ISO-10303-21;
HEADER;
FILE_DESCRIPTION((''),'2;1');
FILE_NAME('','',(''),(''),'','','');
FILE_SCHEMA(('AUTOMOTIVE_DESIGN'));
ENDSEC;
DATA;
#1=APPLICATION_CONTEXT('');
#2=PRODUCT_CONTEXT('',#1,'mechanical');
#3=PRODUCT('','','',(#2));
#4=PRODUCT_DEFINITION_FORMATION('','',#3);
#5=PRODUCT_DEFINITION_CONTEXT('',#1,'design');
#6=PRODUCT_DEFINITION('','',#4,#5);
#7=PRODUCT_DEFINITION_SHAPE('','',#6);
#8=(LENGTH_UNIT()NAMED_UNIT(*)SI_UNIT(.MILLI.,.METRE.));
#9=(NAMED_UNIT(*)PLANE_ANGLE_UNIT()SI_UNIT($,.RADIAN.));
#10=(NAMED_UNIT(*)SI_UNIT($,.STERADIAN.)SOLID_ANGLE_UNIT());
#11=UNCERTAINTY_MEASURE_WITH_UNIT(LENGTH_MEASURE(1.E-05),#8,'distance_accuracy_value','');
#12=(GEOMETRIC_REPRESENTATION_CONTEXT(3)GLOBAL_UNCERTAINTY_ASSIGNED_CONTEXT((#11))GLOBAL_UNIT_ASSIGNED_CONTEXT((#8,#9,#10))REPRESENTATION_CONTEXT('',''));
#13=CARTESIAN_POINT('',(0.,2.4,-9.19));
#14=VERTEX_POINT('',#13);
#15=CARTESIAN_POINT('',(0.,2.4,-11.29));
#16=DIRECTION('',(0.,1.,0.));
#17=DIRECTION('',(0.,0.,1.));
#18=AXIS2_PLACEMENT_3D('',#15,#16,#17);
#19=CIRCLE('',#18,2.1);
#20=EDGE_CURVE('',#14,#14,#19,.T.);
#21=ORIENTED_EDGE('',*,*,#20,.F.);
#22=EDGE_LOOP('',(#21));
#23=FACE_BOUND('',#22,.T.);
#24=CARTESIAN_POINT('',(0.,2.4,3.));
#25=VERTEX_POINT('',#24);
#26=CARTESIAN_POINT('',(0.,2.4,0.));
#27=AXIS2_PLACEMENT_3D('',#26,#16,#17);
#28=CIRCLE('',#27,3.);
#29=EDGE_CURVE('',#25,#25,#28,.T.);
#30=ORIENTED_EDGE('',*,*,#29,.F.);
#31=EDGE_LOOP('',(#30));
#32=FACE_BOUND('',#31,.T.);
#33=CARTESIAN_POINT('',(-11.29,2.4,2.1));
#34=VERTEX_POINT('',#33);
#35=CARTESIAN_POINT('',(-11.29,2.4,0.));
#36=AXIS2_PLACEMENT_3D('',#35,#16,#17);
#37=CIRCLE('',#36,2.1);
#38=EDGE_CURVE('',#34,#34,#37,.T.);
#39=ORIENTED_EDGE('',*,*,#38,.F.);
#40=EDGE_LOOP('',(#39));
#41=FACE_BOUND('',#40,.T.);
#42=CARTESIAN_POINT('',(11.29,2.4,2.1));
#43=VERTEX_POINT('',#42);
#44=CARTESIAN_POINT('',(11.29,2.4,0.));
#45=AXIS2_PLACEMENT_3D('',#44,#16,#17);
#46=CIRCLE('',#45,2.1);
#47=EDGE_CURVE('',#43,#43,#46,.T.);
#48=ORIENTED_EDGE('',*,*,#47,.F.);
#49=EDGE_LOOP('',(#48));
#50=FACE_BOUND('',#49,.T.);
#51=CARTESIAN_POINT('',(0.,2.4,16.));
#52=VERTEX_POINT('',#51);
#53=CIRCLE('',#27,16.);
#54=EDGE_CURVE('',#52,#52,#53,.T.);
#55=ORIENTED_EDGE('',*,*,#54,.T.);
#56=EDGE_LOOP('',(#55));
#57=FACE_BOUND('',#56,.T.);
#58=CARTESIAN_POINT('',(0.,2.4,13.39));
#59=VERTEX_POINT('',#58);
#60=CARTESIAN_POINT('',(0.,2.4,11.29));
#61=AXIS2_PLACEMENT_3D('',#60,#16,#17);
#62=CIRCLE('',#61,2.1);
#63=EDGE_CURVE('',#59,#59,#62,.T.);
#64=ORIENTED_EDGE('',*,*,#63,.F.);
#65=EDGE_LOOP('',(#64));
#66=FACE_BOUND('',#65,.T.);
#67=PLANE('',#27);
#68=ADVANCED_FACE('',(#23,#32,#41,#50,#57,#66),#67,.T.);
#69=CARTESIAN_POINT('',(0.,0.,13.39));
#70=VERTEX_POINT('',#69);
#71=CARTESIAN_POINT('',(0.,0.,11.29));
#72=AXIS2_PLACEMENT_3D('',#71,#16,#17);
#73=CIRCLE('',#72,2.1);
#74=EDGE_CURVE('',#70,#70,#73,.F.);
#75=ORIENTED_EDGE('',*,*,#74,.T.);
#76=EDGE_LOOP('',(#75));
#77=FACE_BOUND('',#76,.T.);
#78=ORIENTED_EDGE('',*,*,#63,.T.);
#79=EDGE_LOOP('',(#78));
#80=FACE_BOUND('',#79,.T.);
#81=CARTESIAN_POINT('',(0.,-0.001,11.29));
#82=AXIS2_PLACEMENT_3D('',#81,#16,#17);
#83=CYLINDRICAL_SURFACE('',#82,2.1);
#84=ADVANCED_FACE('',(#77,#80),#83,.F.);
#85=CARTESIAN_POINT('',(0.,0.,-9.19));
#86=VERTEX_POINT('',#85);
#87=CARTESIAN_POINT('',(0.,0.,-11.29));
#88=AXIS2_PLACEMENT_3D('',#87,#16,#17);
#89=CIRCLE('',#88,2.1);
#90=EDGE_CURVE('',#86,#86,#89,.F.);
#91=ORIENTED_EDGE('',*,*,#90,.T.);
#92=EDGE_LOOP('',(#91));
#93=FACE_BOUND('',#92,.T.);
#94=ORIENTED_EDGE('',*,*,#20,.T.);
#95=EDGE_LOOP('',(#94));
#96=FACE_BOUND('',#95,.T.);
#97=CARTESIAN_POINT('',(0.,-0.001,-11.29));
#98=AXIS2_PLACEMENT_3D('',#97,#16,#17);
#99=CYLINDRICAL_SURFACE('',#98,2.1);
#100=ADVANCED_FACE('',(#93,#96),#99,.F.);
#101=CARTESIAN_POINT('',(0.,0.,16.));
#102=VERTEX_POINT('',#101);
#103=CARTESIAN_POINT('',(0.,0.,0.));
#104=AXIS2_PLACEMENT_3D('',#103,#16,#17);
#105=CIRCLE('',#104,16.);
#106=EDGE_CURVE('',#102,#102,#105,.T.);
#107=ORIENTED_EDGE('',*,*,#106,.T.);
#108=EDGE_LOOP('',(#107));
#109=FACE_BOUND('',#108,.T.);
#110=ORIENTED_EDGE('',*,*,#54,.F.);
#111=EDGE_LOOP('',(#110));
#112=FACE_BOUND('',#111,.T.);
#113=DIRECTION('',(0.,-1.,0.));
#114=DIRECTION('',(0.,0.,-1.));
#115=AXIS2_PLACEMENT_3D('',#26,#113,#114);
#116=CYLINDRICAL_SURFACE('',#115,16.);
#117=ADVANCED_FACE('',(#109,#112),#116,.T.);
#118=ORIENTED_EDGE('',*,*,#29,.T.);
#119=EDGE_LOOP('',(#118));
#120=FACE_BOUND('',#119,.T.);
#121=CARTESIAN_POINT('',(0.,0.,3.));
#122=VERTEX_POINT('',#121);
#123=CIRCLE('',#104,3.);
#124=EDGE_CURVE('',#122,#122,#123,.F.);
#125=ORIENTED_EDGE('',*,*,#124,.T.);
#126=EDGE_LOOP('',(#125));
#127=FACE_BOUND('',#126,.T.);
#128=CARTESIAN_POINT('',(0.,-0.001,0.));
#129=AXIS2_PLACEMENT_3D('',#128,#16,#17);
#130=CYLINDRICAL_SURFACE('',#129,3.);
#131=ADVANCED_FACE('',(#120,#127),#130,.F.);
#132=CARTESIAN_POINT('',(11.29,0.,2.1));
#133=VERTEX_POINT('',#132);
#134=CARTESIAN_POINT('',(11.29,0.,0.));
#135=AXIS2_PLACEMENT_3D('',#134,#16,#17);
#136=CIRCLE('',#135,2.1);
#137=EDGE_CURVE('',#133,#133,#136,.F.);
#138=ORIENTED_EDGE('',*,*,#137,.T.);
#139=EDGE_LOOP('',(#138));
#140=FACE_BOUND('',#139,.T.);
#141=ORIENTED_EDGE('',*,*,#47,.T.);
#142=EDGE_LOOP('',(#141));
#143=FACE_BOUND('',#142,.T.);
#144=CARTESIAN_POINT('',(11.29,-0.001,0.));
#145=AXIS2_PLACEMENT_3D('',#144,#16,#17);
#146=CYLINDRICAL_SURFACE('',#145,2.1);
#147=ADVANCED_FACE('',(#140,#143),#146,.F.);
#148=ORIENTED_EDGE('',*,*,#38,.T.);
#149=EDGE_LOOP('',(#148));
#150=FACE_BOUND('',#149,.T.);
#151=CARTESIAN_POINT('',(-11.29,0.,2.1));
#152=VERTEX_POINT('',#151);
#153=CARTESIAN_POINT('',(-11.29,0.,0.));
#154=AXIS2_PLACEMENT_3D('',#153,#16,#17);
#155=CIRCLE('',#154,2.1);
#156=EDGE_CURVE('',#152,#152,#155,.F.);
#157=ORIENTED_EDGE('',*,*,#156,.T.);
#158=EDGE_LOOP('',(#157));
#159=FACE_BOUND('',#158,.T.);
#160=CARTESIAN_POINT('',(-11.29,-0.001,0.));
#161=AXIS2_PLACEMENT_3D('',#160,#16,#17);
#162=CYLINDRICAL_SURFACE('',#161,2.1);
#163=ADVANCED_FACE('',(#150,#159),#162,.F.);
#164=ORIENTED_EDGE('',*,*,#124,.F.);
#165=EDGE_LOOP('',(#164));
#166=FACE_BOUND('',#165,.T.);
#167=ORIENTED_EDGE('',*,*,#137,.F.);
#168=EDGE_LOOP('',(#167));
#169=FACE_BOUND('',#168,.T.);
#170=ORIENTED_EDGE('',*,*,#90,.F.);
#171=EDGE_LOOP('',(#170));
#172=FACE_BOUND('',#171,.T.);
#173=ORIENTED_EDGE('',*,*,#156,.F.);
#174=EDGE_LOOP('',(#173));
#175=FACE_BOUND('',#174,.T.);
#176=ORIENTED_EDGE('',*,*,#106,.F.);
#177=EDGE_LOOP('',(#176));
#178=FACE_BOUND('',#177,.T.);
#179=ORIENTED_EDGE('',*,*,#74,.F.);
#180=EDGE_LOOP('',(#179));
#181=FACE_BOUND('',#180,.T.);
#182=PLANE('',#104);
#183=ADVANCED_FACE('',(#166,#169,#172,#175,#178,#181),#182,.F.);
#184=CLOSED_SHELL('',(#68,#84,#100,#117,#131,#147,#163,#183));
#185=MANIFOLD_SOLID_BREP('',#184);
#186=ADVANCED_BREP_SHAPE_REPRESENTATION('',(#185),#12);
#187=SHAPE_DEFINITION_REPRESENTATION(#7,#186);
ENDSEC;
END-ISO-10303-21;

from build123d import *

# Parameters (mm, degrees)
SKETCH_1_R          = 16
EXTRUDE_1_DEPTH     = 2.4
CUT_EXTRUDE_2_REACH = 24.754
SKETCH_4_R          = 2.1
CUT_EXTRUDE_3_REACH = 24.754
SKETCH_2_R          = 3


with BuildPart() as part:
    # 草圖1 → 填料-伸長1 (new body)
    with BuildSketch(Plane(origin=(0, 0, 0), x_dir=(1, 0, 0), z_dir=(0, 1, 0))):
        with Locations(Location((0, 0, 0), (0, 0, 270))):
            Circle(SKETCH_1_R)
    extrude(amount=EXTRUDE_1_DEPTH)

    # 草圖4 → 除料-伸長2 (cut, up to next)
    with BuildSketch(Plane(origin=(0, 2.4, 0), x_dir=(1, 0, 0), z_dir=(0, 1, 0)), mode=Mode.PRIVATE) as cut_extrude_2_sk1:
        with Locations(Location((0, 11.29, 0), (0, 0, 270))):
            Circle(SKETCH_4_R)
    cut_extrude_2_tool1 = extrude(cut_extrude_2_sk1.sketch, amount=-CUT_EXTRUDE_2_REACH, mode=Mode.PRIVATE) & part.part
    # 草圖4 → 除料-伸長2 (cut, up to next)
    with BuildSketch(Plane(origin=(0, 2.4, 0), x_dir=(1, 0, 0), z_dir=(0, 1, 0)), mode=Mode.PRIVATE) as cut_extrude_2_sk2:
        with Locations(Location((11.29, 0, 0), (0, 0, 270))):
            Circle(SKETCH_4_R)
    cut_extrude_2_tool2 = extrude(cut_extrude_2_sk2.sketch, amount=-CUT_EXTRUDE_2_REACH, mode=Mode.PRIVATE) & part.part
    # 草圖4 → 除料-伸長2 (cut, up to next)
    with BuildSketch(Plane(origin=(0, 2.4, 0), x_dir=(1, 0, 0), z_dir=(0, 1, 0)), mode=Mode.PRIVATE) as cut_extrude_2_sk3:
        with Locations(Location((0, -11.29, 0), (0, 0, 270))):
            Circle(SKETCH_4_R)
    cut_extrude_2_tool3 = extrude(cut_extrude_2_sk3.sketch, amount=-CUT_EXTRUDE_2_REACH, mode=Mode.PRIVATE) & part.part
    # 草圖4 → 除料-伸長2 (cut, up to next)
    with BuildSketch(Plane(origin=(0, 2.4, 0), x_dir=(1, 0, 0), z_dir=(0, 1, 0)), mode=Mode.PRIVATE) as cut_extrude_2_sk4:
        with Locations(Location((-11.29, 0, 0), (0, 0, 270))):
            Circle(SKETCH_4_R)
    cut_extrude_2_tool4 = extrude(cut_extrude_2_sk4.sketch, amount=-CUT_EXTRUDE_2_REACH, mode=Mode.PRIVATE) & part.part
    add(cut_extrude_2_tool1.solids().sort_by_distance((0, 2.4, -11.29))[0], mode=Mode.SUBTRACT)
    add(cut_extrude_2_tool2.solids().sort_by_distance((11.29, 2.4, 0))[0], mode=Mode.SUBTRACT)
    add(cut_extrude_2_tool3.solids().sort_by_distance((0, 2.4, 11.29))[0], mode=Mode.SUBTRACT)
    add(cut_extrude_2_tool4.solids().sort_by_distance((-11.29, 2.4, 0))[0], mode=Mode.SUBTRACT)

    # 草圖2 → 除料-伸長3 (cut, up to next)
    with BuildSketch(Plane(origin=(0, 2.4, 0), x_dir=(1, 0, 0), z_dir=(0, 1, 0)), mode=Mode.PRIVATE) as cut_extrude_3_sk1:
        with Locations(Location((0, 0, 0), (0, 0, 270))):
            Circle(SKETCH_2_R)
    cut_extrude_3_tool1 = extrude(cut_extrude_3_sk1.sketch, amount=-CUT_EXTRUDE_3_REACH, mode=Mode.PRIVATE) & part.part
    add(cut_extrude_3_tool1.solids().sort_by_distance((0, 2.4, 0))[0], mode=Mode.SUBTRACT)


solid = part.part
